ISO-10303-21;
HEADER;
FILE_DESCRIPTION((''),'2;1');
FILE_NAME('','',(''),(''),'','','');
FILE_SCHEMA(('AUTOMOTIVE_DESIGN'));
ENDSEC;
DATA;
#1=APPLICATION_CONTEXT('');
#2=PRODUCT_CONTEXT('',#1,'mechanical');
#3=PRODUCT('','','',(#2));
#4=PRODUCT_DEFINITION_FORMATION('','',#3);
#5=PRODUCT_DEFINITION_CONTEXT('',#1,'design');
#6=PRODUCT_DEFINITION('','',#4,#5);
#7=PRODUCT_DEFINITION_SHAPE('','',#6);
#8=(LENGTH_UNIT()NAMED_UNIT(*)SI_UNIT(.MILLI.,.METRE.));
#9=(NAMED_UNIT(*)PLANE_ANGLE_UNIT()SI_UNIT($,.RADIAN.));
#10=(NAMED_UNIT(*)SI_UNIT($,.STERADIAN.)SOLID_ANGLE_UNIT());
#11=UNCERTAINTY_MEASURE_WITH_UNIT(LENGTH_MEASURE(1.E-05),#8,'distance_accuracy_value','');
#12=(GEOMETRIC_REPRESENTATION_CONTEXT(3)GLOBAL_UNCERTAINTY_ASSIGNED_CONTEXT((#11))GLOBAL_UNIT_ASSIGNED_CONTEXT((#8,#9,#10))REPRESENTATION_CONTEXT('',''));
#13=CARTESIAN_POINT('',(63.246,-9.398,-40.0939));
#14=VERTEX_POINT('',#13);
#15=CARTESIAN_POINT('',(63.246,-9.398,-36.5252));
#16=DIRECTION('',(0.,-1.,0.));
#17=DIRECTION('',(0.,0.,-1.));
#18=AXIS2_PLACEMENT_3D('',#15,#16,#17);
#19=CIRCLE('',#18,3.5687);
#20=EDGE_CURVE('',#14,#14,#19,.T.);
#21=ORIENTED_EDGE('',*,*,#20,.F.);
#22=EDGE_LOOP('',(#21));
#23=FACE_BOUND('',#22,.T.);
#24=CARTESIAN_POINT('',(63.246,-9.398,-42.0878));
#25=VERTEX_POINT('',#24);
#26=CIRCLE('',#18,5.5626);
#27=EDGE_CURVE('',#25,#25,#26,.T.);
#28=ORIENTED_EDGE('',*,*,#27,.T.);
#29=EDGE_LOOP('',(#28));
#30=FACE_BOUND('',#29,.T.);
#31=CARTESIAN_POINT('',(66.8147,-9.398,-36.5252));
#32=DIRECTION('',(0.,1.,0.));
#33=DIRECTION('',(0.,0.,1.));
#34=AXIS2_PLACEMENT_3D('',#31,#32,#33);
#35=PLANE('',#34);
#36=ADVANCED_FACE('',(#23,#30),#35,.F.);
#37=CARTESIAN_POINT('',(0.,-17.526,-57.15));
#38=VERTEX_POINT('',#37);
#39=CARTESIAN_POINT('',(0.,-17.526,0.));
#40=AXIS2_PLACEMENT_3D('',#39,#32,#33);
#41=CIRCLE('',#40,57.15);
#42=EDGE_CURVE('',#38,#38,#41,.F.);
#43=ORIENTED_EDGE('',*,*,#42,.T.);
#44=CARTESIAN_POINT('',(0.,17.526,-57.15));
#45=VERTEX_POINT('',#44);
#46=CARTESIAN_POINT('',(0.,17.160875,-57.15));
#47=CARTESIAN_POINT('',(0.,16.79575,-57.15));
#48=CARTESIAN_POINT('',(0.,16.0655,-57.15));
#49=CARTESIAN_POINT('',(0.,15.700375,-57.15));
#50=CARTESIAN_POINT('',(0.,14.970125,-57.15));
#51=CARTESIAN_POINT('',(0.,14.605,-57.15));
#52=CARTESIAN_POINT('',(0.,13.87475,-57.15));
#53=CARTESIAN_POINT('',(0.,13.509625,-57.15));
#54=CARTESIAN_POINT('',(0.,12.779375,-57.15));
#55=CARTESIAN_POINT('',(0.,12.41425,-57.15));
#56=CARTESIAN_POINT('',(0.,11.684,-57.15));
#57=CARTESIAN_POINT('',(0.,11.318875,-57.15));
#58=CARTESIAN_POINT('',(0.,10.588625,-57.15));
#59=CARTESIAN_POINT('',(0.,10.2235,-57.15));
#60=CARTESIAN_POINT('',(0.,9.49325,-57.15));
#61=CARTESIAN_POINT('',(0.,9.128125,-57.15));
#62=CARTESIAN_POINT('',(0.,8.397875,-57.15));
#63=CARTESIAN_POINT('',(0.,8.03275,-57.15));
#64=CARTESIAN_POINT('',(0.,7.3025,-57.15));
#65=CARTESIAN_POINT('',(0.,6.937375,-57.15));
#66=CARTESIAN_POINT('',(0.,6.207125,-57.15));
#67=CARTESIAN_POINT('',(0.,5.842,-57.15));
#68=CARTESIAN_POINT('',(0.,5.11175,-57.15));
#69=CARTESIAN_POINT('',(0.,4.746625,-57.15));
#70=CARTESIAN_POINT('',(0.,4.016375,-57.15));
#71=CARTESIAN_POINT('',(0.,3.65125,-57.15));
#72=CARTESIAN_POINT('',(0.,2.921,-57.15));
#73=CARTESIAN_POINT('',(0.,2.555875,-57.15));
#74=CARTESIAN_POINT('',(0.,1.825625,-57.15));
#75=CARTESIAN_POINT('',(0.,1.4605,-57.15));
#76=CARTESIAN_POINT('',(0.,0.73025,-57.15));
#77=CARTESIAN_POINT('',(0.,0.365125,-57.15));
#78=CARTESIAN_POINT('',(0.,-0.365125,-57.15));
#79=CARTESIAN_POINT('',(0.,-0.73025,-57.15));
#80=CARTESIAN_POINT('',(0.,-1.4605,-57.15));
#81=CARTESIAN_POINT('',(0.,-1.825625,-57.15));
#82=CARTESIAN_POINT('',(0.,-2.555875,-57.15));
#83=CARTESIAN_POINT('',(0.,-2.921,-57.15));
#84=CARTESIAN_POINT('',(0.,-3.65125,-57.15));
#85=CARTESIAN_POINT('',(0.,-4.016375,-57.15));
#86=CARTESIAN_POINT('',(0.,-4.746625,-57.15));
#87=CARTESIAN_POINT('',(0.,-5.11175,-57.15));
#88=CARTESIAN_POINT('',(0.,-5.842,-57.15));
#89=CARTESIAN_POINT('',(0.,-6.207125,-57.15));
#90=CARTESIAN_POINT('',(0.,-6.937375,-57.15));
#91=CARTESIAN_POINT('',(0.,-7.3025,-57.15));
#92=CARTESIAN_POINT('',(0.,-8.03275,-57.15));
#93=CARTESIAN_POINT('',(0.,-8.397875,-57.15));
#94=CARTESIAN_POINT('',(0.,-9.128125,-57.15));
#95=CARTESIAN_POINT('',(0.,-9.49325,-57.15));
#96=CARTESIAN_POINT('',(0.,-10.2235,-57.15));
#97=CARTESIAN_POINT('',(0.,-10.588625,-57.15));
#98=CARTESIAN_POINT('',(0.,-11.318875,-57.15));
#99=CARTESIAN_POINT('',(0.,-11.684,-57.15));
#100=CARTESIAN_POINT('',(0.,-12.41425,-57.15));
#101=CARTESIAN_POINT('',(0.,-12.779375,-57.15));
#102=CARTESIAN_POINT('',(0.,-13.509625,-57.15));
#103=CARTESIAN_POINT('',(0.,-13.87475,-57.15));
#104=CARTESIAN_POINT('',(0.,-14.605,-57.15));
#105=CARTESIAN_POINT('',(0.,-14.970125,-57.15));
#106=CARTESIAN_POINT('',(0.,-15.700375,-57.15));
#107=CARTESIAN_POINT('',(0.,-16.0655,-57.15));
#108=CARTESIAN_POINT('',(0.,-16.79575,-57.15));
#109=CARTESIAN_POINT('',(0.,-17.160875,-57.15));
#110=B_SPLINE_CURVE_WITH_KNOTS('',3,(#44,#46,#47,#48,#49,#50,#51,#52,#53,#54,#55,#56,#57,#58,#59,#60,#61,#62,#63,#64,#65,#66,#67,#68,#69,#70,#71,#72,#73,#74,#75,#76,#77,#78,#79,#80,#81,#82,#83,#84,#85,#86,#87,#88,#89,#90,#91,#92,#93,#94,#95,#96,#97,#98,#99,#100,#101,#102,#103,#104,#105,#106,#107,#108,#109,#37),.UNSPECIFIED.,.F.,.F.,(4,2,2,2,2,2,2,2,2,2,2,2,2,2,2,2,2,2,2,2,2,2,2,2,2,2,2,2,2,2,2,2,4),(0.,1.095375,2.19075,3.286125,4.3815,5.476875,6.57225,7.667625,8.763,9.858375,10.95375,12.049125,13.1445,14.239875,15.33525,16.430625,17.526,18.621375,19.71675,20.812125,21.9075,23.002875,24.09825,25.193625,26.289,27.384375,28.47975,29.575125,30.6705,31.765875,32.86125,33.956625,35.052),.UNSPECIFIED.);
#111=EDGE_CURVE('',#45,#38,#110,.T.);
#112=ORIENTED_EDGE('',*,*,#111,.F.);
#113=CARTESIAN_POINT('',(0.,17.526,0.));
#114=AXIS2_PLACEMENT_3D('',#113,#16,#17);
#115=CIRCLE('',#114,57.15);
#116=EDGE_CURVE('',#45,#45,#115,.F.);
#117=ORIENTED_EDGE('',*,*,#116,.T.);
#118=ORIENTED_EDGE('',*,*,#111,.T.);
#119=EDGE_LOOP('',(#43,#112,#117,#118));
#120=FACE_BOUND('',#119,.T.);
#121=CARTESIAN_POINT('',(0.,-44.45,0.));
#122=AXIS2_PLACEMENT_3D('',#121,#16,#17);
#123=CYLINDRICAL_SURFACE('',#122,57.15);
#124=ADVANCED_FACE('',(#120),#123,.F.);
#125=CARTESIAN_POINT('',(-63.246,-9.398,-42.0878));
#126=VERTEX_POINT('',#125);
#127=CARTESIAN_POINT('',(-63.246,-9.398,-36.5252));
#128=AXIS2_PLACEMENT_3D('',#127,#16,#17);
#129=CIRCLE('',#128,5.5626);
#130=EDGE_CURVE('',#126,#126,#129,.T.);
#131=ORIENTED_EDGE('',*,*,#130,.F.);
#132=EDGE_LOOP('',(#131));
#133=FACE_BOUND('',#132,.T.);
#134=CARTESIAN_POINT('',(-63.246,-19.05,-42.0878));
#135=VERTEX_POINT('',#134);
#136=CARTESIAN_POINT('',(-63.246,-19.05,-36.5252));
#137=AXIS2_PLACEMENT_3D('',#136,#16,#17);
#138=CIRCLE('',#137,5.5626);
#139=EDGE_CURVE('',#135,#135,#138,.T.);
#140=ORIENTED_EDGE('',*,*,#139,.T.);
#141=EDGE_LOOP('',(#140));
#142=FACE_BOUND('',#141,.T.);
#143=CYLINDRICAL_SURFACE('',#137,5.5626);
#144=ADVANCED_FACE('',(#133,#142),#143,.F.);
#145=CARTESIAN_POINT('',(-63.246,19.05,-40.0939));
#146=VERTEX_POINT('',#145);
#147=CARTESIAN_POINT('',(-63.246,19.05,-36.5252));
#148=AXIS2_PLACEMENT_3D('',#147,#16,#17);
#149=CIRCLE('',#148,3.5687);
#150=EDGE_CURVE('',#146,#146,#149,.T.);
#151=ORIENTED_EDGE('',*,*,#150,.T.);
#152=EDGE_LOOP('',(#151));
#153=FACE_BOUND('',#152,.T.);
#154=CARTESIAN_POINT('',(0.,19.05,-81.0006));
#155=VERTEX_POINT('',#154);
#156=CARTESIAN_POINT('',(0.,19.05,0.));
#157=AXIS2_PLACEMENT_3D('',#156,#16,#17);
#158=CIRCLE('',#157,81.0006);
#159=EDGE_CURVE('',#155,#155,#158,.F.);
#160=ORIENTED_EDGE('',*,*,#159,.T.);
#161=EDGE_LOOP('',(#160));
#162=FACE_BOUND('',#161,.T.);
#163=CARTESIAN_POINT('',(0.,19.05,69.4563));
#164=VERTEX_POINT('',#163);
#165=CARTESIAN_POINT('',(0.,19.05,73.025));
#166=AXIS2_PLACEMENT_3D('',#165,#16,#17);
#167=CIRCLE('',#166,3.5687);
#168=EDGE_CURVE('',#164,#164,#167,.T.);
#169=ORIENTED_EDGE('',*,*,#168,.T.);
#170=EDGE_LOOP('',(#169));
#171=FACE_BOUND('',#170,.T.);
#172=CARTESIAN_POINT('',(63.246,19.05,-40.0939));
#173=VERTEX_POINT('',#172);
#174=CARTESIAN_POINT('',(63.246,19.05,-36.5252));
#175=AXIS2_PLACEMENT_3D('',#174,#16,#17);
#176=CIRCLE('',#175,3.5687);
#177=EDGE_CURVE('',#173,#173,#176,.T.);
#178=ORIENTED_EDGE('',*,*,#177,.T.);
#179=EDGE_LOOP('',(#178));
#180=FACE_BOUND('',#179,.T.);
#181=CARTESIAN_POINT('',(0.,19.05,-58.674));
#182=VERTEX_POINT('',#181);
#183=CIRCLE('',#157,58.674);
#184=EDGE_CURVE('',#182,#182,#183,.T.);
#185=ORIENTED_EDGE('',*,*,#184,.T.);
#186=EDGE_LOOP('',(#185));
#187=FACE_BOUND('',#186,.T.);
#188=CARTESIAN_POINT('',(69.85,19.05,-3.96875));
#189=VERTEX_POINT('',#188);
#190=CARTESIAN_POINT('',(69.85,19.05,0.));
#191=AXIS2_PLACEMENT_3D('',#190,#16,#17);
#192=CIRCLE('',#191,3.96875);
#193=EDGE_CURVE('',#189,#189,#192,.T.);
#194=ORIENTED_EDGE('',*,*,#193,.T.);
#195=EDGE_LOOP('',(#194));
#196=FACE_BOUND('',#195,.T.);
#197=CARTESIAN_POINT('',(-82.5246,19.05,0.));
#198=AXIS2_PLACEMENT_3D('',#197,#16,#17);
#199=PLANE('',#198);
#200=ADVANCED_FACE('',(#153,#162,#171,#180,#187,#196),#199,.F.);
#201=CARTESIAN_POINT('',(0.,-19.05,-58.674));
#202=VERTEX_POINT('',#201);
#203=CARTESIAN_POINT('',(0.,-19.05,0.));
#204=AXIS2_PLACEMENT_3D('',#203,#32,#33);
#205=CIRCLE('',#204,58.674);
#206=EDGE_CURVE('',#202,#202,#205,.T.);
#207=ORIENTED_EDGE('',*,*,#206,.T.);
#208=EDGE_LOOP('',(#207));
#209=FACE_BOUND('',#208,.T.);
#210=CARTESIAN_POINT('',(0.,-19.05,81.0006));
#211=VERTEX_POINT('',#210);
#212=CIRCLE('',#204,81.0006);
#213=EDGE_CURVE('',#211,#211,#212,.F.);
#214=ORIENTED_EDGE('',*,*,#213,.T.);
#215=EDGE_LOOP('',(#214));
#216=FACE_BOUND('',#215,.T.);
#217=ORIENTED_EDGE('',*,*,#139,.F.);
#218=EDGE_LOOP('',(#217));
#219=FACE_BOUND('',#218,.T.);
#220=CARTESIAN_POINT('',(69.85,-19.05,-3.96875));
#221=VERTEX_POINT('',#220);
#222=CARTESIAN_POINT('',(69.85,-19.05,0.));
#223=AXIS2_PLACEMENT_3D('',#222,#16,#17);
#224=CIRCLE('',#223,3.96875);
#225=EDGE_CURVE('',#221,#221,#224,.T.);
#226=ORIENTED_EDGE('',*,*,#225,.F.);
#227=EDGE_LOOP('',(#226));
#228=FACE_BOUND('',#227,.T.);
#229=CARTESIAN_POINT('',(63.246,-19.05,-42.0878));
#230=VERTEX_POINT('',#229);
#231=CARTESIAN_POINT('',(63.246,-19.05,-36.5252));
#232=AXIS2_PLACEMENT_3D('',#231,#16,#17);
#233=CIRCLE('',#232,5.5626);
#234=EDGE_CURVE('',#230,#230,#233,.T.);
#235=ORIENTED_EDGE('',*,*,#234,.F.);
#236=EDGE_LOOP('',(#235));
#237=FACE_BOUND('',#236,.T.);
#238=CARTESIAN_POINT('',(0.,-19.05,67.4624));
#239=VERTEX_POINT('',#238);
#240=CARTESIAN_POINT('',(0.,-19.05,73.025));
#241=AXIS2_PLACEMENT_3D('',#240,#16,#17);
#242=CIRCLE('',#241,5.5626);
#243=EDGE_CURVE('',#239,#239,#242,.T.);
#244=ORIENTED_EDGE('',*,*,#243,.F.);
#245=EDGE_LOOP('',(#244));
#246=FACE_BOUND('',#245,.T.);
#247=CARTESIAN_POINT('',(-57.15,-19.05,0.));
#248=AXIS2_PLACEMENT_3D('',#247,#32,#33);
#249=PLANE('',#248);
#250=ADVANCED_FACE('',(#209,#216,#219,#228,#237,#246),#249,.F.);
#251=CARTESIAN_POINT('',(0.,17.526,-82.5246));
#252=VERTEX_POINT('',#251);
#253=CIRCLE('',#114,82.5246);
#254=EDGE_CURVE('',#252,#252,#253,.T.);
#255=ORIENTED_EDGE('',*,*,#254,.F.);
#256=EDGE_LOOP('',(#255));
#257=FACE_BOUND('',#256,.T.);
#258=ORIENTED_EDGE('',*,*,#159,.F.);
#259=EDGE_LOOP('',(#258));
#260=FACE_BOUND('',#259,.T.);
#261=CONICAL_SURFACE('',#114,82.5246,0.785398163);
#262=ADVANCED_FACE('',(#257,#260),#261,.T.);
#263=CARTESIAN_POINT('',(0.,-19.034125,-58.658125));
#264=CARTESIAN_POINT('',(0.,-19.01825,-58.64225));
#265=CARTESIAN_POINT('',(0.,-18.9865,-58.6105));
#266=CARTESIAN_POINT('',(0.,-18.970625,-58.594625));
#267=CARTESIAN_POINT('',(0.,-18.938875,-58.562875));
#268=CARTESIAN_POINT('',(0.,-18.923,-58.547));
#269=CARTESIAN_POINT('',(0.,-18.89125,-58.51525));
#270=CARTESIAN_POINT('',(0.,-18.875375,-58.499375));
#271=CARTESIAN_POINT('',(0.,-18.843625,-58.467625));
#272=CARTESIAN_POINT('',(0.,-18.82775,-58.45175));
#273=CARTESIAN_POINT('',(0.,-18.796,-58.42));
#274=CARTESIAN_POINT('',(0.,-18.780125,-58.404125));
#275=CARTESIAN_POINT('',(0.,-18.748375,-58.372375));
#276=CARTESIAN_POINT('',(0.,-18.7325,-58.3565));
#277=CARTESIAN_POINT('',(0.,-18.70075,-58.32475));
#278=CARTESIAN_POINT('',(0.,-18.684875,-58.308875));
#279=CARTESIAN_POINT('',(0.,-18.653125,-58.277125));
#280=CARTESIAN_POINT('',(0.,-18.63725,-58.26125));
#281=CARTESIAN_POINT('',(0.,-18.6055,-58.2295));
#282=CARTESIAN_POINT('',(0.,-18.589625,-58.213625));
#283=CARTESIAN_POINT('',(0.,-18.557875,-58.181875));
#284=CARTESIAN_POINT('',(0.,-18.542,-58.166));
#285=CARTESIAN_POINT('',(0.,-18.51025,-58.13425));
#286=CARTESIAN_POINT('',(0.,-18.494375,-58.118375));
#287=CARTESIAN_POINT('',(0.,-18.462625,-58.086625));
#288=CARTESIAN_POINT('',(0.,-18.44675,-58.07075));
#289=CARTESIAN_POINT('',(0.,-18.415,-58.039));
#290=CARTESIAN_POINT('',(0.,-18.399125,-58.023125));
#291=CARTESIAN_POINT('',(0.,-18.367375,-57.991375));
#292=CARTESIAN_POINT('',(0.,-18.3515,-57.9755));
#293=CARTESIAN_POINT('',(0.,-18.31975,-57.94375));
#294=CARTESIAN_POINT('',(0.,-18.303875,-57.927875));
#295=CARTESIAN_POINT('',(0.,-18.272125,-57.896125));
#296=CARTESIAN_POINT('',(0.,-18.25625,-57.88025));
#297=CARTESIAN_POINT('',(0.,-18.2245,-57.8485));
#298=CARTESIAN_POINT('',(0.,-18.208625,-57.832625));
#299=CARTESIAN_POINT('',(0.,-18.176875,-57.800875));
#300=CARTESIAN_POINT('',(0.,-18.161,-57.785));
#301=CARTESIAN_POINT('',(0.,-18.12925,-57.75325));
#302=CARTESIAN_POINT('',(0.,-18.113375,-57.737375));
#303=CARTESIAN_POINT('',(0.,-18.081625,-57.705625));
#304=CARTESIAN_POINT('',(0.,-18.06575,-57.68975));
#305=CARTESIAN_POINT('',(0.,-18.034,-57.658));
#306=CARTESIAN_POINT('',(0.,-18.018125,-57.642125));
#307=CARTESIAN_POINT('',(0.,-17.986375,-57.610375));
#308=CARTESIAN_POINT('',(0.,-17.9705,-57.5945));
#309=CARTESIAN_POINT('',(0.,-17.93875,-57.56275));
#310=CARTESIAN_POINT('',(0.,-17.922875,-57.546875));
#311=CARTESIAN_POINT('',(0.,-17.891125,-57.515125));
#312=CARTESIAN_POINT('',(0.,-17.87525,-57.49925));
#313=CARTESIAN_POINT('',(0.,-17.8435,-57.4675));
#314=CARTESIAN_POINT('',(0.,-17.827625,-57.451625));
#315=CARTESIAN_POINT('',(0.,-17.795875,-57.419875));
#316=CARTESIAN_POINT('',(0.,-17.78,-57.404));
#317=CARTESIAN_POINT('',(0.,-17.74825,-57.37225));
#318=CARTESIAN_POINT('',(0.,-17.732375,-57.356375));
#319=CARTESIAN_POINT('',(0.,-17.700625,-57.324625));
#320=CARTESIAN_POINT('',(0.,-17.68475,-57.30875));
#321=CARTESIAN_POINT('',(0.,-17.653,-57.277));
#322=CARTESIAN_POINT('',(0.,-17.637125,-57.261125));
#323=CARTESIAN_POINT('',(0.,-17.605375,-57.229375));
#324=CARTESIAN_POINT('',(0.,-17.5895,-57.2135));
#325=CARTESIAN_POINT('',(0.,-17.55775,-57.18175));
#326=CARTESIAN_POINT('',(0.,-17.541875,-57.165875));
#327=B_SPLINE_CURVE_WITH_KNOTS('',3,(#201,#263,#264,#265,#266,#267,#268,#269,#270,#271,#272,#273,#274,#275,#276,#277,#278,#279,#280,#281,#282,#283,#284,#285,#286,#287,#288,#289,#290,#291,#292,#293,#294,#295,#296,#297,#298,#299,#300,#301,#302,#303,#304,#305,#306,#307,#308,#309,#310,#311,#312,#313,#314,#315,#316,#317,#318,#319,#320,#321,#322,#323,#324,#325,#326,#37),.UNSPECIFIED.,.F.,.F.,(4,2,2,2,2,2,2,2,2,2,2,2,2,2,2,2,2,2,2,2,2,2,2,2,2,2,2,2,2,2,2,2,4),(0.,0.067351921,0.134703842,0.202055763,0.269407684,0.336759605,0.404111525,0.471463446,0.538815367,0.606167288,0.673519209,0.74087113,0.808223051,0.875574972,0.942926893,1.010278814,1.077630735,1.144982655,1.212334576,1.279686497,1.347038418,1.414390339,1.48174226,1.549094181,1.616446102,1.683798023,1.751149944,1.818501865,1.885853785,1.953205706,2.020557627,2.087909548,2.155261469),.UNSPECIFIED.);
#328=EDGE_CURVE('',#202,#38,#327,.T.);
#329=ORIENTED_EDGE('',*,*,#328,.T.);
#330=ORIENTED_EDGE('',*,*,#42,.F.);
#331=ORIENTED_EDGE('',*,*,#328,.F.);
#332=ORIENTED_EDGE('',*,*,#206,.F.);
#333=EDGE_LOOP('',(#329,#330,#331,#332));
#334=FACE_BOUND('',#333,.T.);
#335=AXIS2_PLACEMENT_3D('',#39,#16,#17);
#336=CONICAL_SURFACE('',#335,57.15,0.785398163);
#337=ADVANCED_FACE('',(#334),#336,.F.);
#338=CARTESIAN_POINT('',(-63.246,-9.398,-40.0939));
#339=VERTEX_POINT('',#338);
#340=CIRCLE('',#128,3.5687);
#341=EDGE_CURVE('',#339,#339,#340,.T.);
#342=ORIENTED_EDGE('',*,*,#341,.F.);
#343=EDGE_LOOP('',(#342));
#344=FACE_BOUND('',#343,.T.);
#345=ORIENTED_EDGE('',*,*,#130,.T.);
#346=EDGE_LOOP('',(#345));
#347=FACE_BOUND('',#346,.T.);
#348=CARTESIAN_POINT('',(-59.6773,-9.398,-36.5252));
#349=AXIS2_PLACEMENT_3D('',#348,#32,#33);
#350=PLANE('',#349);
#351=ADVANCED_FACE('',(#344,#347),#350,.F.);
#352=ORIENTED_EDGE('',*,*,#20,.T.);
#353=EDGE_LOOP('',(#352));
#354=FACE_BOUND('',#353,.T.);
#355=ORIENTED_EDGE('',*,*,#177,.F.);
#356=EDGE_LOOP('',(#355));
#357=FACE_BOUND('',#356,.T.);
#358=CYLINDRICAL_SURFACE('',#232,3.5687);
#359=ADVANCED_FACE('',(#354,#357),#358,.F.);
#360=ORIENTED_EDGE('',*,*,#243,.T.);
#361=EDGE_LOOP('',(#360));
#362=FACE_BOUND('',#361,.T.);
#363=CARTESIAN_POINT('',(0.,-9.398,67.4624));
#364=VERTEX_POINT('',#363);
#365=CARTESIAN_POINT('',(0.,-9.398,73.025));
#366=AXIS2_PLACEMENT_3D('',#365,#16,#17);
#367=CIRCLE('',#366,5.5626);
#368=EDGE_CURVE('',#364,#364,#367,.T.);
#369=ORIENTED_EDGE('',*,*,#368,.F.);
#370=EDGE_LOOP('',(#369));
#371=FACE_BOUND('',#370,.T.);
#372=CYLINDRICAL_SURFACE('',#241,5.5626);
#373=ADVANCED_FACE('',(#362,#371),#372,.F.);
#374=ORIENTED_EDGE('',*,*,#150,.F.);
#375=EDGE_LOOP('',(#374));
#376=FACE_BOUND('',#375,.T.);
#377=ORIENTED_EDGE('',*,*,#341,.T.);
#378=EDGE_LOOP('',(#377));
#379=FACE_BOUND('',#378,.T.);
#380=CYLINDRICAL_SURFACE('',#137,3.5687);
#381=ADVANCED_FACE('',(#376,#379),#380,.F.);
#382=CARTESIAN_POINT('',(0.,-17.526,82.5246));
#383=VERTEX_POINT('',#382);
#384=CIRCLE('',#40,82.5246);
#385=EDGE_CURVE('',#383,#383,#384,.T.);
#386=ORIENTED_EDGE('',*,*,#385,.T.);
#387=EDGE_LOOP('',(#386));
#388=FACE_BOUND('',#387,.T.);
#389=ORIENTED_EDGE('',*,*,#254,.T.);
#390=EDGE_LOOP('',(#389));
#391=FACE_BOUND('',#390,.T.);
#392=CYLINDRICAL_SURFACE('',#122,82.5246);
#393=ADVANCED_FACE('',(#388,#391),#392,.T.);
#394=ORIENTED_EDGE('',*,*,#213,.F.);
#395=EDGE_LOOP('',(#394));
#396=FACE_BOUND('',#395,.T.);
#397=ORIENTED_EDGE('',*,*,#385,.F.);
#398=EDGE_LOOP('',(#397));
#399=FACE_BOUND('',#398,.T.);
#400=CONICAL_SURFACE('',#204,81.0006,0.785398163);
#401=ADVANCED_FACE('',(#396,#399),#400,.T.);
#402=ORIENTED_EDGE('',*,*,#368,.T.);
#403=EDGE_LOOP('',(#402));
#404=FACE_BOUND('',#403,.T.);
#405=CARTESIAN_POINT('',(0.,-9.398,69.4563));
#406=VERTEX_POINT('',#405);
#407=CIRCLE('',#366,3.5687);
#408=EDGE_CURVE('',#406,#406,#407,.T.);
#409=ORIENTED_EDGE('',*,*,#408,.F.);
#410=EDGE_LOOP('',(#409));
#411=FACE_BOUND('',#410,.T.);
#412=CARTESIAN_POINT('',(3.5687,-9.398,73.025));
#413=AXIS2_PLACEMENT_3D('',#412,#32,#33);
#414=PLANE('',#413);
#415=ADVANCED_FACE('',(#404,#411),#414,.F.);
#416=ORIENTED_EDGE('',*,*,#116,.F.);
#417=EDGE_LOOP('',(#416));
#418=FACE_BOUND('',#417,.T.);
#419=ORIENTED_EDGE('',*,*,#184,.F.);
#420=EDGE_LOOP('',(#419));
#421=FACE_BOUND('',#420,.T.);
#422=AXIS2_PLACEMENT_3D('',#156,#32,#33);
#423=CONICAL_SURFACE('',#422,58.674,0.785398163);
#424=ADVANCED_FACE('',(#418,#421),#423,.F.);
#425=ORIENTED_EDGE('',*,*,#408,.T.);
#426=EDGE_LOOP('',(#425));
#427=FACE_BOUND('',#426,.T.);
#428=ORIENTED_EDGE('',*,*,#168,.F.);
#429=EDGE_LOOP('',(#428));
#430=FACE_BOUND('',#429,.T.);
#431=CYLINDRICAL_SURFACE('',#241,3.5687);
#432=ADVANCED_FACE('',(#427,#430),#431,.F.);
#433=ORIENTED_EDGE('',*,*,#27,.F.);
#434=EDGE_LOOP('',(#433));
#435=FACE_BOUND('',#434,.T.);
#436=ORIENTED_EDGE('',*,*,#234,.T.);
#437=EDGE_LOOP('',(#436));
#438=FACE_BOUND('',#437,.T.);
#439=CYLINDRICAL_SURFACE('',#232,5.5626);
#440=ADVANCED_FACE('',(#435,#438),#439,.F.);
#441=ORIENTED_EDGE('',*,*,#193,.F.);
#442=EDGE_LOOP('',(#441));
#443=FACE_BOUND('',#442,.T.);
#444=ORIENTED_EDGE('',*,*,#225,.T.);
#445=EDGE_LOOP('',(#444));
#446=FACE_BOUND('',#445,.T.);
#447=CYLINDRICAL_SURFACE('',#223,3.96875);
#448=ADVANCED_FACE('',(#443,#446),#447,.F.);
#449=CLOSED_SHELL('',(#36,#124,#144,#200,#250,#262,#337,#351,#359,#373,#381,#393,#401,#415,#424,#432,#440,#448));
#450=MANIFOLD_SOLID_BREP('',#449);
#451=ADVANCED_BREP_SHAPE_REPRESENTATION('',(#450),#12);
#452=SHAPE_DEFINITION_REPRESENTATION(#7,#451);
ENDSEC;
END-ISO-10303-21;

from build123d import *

# Parameters (mm, degrees)
SKETCH1_W                                        = 38.1
SKETCH1_H                                        = 25.3746
CBORE_FOR_1_4_SOCKET_HEAD_CAP_SCREW1_D           = 7.1374
CBORE_FOR_1_4_SOCKET_HEAD_CAP_SCREW1_DEPTH       = 38.1
CBORE_FOR_1_4_SOCKET_HEAD_CAP_SCREW1_CBORE_D     = 11.1252
CBORE_FOR_1_4_SOCKET_HEAD_CAP_SCREW1_CBORE_DEPTH = 9.652
CBORE_FOR_1_4_SOCKET_HEAD_CAP_SCREW1_TIP         = 2.144291291
F_3_8_16_TAPPED_HOLE1_D                          = 7.9375
F_3_8_16_TAPPED_HOLE1_DEPTH                      = 38.1
F_3_8_16_TAPPED_HOLE1_TIP                        = 2.384665582
CHAMFER1_SIZE                                    = 1.524


with BuildPart() as part:
    # Sketch1 → Revolve1 (revolve)
    with BuildSketch(Plane(origin=(0, 0, 0), x_dir=(0, 1, 0), z_dir=(0, 0, 1)), mode=Mode.PRIVATE) as revolve1_sk:
        with Locations((0, 69.8373)):
            Rectangle(SKETCH1_W, SKETCH1_H)
    revolve(revolve1_sk.sketch.rotate(Axis((0, -44.45, 0), (0, 1, 0)), 270), axis=Axis((0, -44.45, 0), (0, 1, 0)))

    # CBORE for 1/4 Socket Head Cap Screw1
    with Locations(Plane(origin=(0, -19.05, 0), x_dir=(-1, 0, 0), z_dir=(0, -1, 0))):
        with Locations((0, -73.025), (-63.246, 36.5252), (63.246, 36.5252)):
            CounterBoreHole(CBORE_FOR_1_4_SOCKET_HEAD_CAP_SCREW1_D / 2, CBORE_FOR_1_4_SOCKET_HEAD_CAP_SCREW1_CBORE_D / 2, CBORE_FOR_1_4_SOCKET_HEAD_CAP_SCREW1_CBORE_DEPTH, depth=CBORE_FOR_1_4_SOCKET_HEAD_CAP_SCREW1_DEPTH)
            with Locations((0, 0, -(CBORE_FOR_1_4_SOCKET_HEAD_CAP_SCREW1_DEPTH + CBORE_FOR_1_4_SOCKET_HEAD_CAP_SCREW1_TIP / 2))):  # 118° drill point
                Cone(0, CBORE_FOR_1_4_SOCKET_HEAD_CAP_SCREW1_D / 2, CBORE_FOR_1_4_SOCKET_HEAD_CAP_SCREW1_TIP, mode=Mode.SUBTRACT)

    # 3/8-16 Tapped Hole1
    with Locations(Plane(origin=(0, -19.05, 0), x_dir=(-1, 0, 0), z_dir=(0, -1, 0))):
        with Locations((-69.85, 0)):
            Hole(F_3_8_16_TAPPED_HOLE1_D / 2, depth=F_3_8_16_TAPPED_HOLE1_DEPTH)
            with Locations((0, 0, -(F_3_8_16_TAPPED_HOLE1_DEPTH + F_3_8_16_TAPPED_HOLE1_TIP / 2))):  # 118° drill point
                Cone(0, F_3_8_16_TAPPED_HOLE1_D / 2, F_3_8_16_TAPPED_HOLE1_TIP, mode=Mode.SUBTRACT)

    # Chamfer1
    chamfer1_edges = [part.edges().sort_by_distance(p)[0] for p in [
        (0, -19.05, 57.15),
        (0, 19.05, 57.15),
        (0, 19.05, 82.5246),
        (0, -19.05, 82.5246),
    ]]
    chamfer(chamfer1_edges, length=CHAMFER1_SIZE)


solid = part.part
